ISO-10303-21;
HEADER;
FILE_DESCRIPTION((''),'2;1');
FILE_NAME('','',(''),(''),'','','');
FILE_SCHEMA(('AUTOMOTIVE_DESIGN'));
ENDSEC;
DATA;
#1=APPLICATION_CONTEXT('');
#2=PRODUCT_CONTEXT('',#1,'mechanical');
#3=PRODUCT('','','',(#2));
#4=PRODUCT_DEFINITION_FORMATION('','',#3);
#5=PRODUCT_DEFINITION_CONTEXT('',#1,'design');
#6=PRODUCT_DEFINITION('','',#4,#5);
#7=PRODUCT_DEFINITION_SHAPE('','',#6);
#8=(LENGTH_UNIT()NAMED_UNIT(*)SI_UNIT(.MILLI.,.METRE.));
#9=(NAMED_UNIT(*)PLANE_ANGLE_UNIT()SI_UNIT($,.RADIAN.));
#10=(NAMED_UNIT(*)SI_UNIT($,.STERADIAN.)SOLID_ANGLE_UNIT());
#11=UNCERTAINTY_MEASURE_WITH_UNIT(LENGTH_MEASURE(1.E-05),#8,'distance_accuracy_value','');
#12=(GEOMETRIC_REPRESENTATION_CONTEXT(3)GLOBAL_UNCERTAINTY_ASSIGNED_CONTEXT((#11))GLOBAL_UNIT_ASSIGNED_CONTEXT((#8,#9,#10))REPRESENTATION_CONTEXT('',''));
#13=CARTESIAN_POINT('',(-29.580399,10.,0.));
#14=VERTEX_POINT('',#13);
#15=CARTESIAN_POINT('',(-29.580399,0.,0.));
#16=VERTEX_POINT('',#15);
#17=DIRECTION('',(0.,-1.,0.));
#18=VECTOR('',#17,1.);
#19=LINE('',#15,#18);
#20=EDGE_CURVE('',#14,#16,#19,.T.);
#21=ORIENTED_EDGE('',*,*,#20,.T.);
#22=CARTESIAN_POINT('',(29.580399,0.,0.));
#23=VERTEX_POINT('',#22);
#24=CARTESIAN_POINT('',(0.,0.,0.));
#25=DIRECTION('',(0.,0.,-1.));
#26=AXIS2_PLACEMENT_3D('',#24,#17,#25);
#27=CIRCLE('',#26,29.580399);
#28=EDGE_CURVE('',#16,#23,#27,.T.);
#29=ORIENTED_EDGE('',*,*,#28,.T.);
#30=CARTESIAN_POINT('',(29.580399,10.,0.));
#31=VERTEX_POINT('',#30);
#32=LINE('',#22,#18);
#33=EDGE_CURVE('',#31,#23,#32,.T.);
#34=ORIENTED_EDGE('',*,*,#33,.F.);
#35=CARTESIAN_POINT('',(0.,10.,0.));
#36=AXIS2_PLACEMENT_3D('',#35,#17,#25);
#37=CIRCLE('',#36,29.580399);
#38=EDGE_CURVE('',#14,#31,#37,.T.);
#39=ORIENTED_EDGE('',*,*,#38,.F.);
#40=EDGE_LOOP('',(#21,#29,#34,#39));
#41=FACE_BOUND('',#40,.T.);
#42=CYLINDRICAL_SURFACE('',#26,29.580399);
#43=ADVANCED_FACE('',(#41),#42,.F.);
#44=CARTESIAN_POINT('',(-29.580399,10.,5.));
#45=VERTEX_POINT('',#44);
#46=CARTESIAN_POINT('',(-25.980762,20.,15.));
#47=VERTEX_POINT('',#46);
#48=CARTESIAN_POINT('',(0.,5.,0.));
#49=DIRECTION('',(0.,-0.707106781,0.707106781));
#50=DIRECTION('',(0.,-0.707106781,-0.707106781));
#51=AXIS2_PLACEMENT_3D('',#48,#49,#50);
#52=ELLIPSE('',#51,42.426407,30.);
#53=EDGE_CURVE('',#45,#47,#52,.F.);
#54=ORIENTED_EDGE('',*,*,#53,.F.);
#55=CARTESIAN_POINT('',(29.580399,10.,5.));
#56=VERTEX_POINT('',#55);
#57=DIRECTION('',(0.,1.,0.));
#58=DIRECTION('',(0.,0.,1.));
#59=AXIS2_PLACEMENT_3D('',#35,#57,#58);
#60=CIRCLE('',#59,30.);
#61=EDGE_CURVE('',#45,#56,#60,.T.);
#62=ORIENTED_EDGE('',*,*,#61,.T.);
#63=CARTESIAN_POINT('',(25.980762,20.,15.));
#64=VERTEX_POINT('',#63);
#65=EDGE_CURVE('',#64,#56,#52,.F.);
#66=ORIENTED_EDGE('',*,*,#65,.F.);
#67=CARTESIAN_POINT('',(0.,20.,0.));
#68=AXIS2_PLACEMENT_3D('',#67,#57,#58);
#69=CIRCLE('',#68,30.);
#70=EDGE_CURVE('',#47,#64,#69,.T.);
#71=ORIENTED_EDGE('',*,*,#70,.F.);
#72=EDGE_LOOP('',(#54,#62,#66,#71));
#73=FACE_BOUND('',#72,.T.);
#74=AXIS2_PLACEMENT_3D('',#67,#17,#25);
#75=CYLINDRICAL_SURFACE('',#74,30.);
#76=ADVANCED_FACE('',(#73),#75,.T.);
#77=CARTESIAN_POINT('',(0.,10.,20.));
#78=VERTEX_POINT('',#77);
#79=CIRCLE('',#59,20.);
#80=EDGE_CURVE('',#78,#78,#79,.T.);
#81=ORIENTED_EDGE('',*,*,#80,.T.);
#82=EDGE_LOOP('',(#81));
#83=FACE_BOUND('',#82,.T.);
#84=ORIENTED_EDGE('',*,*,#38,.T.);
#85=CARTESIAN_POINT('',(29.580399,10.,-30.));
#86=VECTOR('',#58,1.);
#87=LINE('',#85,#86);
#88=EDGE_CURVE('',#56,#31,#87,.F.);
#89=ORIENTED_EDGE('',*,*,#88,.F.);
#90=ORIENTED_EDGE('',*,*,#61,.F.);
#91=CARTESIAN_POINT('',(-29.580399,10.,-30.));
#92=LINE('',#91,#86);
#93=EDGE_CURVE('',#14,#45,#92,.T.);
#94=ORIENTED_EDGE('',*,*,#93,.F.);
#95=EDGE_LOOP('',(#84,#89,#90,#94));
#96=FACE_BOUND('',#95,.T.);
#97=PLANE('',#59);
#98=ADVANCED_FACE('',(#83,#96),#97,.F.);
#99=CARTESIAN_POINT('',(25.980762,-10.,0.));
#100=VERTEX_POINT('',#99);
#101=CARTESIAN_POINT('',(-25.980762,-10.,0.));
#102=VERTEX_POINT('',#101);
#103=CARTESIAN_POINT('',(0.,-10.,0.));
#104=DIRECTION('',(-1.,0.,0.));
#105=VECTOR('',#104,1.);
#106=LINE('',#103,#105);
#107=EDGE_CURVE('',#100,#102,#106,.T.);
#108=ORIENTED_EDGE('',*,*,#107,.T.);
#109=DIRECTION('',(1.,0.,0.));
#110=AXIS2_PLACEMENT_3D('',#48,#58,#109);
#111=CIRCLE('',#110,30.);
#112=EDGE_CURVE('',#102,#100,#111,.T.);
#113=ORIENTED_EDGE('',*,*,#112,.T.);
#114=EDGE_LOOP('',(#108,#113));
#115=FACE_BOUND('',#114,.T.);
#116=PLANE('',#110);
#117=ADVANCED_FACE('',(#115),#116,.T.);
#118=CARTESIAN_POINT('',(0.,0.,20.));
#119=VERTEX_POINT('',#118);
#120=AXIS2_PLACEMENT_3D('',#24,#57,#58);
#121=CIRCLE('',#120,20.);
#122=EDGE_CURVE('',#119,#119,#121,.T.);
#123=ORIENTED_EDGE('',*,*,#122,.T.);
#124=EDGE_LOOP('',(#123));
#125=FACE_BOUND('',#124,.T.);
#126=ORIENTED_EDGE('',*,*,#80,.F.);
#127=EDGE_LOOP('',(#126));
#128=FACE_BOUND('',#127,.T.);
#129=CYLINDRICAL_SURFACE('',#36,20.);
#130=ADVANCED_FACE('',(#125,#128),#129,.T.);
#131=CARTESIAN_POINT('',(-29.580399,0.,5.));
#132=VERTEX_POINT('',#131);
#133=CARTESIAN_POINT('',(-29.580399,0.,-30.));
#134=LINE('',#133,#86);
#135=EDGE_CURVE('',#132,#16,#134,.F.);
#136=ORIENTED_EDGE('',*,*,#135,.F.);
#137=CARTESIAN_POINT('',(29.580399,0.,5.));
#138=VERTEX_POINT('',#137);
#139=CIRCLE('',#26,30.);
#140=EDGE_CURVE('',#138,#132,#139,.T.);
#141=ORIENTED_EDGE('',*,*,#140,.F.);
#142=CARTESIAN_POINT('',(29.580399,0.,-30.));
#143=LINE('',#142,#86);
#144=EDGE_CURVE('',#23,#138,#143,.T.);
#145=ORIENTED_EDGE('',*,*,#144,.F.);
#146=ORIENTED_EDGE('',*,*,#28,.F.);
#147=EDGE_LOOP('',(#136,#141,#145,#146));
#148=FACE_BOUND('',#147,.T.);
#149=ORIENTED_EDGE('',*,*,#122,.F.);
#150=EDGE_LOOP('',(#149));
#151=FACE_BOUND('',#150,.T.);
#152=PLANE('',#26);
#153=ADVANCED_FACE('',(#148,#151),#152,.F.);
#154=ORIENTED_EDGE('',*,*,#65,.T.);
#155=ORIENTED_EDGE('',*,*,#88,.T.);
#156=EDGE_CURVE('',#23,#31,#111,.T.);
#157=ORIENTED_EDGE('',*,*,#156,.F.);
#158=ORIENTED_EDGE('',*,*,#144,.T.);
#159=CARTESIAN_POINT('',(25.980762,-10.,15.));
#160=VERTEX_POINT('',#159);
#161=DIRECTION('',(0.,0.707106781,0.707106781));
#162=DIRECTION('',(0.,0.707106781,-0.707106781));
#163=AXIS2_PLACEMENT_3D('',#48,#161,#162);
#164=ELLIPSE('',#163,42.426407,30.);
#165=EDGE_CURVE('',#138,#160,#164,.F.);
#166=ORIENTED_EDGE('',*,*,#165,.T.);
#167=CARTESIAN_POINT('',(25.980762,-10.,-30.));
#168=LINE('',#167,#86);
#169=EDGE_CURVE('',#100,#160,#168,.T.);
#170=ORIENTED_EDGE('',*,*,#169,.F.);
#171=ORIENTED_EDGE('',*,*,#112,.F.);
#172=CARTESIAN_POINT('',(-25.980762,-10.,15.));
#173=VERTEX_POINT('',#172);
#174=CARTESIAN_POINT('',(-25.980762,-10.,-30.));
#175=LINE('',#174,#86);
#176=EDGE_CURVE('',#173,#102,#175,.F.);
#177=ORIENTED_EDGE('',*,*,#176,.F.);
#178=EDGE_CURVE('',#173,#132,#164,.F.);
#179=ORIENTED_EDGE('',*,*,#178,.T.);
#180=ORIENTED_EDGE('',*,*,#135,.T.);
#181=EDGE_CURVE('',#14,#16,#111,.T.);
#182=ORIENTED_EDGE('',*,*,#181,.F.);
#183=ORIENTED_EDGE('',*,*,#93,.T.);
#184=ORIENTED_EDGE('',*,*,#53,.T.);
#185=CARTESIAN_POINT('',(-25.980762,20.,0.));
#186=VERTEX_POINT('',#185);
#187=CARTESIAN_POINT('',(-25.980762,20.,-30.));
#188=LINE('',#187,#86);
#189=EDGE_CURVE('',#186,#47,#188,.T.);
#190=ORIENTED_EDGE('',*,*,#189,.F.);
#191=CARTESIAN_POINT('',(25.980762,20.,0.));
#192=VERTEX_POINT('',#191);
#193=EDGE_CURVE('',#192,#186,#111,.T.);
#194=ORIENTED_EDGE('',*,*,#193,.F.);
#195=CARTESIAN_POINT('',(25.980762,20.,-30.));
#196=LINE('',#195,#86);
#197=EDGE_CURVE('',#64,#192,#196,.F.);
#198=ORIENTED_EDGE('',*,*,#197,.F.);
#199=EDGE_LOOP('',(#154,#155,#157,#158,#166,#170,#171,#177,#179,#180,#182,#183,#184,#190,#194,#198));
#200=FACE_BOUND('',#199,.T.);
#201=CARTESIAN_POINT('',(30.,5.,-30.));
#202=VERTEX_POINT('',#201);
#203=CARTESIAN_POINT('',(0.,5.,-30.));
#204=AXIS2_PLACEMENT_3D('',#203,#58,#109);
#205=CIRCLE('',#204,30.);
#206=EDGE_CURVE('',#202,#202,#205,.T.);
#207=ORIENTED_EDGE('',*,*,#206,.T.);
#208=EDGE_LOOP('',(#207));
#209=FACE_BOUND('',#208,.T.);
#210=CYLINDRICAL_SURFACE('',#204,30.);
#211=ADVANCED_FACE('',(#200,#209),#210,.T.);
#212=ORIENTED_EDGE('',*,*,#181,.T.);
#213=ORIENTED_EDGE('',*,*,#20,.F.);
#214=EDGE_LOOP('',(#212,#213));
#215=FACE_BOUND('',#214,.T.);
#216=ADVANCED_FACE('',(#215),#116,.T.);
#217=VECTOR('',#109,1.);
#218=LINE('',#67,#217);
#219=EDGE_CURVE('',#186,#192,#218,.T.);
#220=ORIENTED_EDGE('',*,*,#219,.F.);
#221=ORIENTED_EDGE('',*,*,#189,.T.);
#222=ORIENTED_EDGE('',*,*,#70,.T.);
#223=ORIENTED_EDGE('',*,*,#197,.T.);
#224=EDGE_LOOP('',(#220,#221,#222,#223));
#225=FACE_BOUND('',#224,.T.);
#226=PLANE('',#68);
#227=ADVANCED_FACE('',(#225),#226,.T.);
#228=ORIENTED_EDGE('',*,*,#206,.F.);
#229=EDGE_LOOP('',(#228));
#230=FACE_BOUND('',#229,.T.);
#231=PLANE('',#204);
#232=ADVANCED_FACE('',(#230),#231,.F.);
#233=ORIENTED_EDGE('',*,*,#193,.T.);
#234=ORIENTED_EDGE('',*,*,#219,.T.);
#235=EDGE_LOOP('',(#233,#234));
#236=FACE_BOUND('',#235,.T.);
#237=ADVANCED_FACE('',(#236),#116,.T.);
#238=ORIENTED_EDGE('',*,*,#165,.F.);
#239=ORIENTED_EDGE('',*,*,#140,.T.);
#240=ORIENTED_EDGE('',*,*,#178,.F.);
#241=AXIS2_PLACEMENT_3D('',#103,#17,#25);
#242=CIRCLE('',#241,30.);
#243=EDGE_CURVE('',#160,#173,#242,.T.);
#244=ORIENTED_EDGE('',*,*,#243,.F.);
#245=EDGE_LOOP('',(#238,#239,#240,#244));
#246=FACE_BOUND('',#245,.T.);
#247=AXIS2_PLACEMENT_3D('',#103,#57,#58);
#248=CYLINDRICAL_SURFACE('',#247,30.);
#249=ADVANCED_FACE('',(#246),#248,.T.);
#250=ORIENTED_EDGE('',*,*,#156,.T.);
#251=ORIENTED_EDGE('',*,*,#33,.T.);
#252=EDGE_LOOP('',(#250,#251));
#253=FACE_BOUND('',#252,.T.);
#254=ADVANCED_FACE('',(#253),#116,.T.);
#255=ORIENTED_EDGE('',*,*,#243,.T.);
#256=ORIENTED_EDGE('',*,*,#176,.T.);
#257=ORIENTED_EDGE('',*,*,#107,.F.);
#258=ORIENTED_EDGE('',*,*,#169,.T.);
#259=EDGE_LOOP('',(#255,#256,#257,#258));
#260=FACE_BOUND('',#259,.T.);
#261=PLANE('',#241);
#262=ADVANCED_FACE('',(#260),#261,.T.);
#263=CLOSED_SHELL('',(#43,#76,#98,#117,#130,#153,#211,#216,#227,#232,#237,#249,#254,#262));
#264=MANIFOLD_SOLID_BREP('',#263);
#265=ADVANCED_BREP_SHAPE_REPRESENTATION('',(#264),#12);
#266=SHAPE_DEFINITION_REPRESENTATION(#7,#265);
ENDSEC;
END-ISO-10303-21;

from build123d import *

# Parameters (mm, degrees)
SKETCH1_R               = 20
BOSS_EXTRUDE1_DEPTH     = 10
SKETCH2_R               = 30
BOSS_EXTRUDE2_DEPTH     = 10
BOSS_EXTRUDE3_START     = 10
SKETCH3_R               = 30
BOSS_EXTRUDE3_DEPTH     = 10
SKETCH9_R               = 30
BOSS_EXTRUDE7_DEPTH     = 30
CUT_EXTRUDE1_DEPTH      = 56
CUT_EXTRUDE1_DEPTH_BACK = 56
SKETCH13_R              = 36.178766014
SKETCH13_R_2            = 30
SKETCH14_W              = 9.580398915
SKETCH14_H              = 10
CUT_REVOLVE6_ANGLE      = 180


with BuildPart() as part:
    # Sketch1 → Boss-Extrude1 (new body)
    with BuildSketch(Plane(origin=(0, 0, 0), x_dir=(1, 0, 0), z_dir=(0, 1, 0))):
        with Locations(Location((0, 0, 0), (0, 0, 270))):
            Circle(SKETCH1_R)
    extrude(amount=BOSS_EXTRUDE1_DEPTH)

    # Sketch2 → Boss-Extrude2 (add)
    with BuildSketch(Plane(origin=(0, 10, 0), x_dir=(1, 0, 0), z_dir=(0, 1, 0))):
        with Locations(Location((0, 0, 0), (0, 0, 270))):
            Circle(SKETCH2_R)
    extrude(amount=BOSS_EXTRUDE2_DEPTH)

    # Sketch3 → Boss-Extrude3 (add)
    with BuildSketch(Plane.XZ.offset(BOSS_EXTRUDE3_START)):
        with Locations(Location((0, 0, 0), (0, 0, 90))):
            Circle(SKETCH3_R)
    extrude(amount=-BOSS_EXTRUDE3_DEPTH)

    # Sketch9 → Boss-Extrude7 (add)
    with BuildSketch(Plane.XY):
        with Locations((0, 5)):
            Circle(SKETCH9_R)
    extrude(amount=-BOSS_EXTRUDE7_DEPTH)

    # Sketch13 → Cut-Extrude1 (cut, two sides: drawn at the far end of the back side and taken through both)
    with BuildSketch(Plane.XY.offset(-CUT_EXTRUDE1_DEPTH_BACK)):
        with Locations((0, 5)):
            Circle(SKETCH13_R)
        with Locations((0, 5)):
            Circle(SKETCH13_R_2, mode=Mode.SUBTRACT)
    extrude(amount=CUT_EXTRUDE1_DEPTH + CUT_EXTRUDE1_DEPTH_BACK, mode=Mode.SUBTRACT)

    # Sketch14 → Cut-Revolve6 (revolve, cut)
    with BuildSketch(Plane.XY):
        with Locations((24.790199458, 5)):
            Rectangle(SKETCH14_W, SKETCH14_H)
    revolve(axis=Axis((0, 0, 0), (0, 1, 0)), revolution_arc=CUT_REVOLVE6_ANGLE, mode=Mode.SUBTRACT)


solid = part.part
